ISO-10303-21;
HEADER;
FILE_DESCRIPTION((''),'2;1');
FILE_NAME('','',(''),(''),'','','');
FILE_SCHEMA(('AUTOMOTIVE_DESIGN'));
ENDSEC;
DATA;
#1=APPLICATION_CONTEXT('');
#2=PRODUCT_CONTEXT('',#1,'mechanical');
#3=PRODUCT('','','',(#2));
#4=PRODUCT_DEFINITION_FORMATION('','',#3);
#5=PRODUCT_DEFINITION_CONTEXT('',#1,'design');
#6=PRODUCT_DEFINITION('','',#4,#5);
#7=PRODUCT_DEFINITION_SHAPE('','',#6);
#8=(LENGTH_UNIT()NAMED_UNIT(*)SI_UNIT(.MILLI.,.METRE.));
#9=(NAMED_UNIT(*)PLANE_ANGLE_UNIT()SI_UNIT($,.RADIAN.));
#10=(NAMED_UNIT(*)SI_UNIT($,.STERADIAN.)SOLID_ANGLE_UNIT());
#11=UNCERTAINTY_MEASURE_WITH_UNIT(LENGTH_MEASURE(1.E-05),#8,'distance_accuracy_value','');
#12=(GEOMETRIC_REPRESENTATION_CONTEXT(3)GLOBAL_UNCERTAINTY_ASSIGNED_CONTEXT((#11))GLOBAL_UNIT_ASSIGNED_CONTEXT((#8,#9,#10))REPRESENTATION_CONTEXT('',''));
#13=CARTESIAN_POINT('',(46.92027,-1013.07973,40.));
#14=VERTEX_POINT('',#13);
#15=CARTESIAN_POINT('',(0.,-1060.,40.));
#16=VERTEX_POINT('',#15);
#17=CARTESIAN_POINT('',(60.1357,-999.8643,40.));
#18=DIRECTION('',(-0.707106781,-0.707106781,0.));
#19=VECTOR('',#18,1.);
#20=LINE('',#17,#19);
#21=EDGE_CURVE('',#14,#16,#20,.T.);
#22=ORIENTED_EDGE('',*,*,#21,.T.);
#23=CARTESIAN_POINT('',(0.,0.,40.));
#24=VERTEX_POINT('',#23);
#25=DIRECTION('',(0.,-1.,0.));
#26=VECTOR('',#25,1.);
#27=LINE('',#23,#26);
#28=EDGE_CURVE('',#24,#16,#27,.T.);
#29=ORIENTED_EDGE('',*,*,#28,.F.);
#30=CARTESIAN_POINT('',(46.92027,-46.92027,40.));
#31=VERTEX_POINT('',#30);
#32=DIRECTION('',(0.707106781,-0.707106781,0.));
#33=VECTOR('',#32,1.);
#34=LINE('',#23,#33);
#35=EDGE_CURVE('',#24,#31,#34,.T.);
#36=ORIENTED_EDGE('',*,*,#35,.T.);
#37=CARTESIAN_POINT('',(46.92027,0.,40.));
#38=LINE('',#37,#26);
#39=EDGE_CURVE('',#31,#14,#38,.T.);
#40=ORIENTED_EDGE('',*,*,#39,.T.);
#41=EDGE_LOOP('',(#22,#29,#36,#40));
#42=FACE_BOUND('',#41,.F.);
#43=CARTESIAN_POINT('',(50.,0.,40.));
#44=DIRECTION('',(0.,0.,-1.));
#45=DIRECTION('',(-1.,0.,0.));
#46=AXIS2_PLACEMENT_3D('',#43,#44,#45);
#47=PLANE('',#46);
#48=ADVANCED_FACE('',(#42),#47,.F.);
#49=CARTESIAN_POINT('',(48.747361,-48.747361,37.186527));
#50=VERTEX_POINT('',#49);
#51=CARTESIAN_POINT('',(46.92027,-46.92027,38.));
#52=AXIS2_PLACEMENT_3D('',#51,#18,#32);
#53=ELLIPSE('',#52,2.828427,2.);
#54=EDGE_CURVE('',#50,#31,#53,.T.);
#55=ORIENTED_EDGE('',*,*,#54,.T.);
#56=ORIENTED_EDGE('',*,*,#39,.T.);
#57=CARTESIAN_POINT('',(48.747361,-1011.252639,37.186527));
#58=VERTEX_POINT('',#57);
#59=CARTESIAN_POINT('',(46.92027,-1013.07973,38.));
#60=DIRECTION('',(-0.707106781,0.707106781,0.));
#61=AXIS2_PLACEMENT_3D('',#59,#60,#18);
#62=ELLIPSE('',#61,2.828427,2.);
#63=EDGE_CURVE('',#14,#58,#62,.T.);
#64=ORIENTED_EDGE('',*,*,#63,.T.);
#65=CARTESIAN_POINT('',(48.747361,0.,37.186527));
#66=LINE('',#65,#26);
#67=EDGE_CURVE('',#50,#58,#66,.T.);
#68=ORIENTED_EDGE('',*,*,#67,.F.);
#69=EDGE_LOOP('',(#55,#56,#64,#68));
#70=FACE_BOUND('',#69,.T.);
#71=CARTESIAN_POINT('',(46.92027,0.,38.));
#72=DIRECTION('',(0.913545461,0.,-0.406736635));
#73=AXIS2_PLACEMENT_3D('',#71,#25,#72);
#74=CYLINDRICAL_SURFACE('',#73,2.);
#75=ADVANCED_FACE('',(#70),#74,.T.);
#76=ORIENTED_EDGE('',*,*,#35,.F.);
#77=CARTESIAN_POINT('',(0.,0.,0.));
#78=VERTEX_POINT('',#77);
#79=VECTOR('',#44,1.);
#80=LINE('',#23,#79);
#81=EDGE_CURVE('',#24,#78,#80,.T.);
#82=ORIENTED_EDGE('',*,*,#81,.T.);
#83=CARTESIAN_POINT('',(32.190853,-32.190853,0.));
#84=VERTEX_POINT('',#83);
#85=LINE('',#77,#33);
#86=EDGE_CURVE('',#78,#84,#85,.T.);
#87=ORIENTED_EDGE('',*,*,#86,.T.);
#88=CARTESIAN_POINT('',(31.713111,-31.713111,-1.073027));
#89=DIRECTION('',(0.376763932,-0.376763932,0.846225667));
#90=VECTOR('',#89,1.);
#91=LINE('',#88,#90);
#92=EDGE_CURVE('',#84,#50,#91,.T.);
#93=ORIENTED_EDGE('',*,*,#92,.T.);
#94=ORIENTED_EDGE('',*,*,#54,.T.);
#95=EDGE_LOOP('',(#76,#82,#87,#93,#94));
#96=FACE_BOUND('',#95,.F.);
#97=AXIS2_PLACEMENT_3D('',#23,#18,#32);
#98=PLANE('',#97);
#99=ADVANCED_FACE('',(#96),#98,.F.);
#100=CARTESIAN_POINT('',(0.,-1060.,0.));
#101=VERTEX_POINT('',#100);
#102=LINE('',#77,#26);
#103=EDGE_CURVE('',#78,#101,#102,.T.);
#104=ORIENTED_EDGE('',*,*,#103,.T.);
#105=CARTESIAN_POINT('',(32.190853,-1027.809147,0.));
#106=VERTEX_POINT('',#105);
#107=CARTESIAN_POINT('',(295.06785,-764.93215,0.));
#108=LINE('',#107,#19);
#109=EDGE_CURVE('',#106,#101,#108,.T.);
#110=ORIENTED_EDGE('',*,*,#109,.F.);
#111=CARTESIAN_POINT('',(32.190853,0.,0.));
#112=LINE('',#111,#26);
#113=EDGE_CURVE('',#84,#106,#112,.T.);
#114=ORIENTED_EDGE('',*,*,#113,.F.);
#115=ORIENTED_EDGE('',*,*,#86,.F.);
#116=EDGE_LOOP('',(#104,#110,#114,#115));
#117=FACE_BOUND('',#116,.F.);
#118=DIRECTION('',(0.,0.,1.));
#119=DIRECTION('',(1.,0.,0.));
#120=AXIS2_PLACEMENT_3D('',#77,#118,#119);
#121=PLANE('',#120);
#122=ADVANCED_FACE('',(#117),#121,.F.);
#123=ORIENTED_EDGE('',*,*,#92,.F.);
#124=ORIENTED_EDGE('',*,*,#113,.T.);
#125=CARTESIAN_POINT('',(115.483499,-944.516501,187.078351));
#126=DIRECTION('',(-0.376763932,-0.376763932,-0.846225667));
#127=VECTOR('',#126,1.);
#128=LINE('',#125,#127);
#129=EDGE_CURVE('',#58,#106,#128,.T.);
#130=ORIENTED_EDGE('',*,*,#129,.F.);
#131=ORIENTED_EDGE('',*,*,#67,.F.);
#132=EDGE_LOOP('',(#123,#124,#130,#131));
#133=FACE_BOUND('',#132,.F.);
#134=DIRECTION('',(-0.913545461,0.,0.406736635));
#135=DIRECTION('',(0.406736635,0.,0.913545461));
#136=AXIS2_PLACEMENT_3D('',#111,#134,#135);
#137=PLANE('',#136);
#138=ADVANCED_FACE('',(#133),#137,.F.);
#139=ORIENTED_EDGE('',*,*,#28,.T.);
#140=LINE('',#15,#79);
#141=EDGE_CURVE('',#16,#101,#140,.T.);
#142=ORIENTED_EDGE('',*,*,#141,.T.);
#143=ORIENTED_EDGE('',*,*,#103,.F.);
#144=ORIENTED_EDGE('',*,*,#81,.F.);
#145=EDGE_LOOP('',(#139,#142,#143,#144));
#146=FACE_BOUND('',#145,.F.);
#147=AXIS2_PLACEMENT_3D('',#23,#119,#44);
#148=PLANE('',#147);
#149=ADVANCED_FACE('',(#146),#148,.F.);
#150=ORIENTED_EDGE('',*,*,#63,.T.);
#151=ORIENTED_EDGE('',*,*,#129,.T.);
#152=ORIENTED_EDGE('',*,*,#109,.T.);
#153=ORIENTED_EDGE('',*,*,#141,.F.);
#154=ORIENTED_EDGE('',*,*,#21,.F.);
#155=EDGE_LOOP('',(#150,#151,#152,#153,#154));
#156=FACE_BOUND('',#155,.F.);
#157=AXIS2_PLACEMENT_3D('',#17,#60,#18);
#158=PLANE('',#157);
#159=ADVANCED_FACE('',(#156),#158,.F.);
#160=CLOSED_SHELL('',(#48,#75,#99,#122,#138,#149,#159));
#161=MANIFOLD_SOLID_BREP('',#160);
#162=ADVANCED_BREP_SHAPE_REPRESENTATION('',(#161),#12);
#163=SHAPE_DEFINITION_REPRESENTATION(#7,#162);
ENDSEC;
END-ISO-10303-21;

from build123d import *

# Parameters (mm, degrees)
F1_DEPTH = 1060
F2_R     = 2
F4_DEPTH = 40.001


with BuildPart() as f1:
    # F0 (on Front) → F1 (new body)
    with BuildSketch(Plane.XZ):
        Polygon((0, 40), (0, 0), (32.190853, 0), (50, 40), align=None)
    extrude(amount=F1_DEPTH)

    # F2
    f2_edges = [f1.edges().sort_by_distance(p)[0] for p in [
        (50, -530, 40),
    ]]
    fillet(f2_edges, radius=F2_R)

    # F3 (on face) → F4 (cut, through all)
    with BuildSketch(Plane.XY.offset(40)):
        Polygon((49.361777, 0), (0, 0), (49.361777, -49.361777), align=None)
        Polygon((60.1357, -999.8643), (0, -1060), (60.1357, -1060), align=None)
    extrude(amount=-F4_DEPTH, mode=Mode.SUBTRACT)


solid = f1.part
